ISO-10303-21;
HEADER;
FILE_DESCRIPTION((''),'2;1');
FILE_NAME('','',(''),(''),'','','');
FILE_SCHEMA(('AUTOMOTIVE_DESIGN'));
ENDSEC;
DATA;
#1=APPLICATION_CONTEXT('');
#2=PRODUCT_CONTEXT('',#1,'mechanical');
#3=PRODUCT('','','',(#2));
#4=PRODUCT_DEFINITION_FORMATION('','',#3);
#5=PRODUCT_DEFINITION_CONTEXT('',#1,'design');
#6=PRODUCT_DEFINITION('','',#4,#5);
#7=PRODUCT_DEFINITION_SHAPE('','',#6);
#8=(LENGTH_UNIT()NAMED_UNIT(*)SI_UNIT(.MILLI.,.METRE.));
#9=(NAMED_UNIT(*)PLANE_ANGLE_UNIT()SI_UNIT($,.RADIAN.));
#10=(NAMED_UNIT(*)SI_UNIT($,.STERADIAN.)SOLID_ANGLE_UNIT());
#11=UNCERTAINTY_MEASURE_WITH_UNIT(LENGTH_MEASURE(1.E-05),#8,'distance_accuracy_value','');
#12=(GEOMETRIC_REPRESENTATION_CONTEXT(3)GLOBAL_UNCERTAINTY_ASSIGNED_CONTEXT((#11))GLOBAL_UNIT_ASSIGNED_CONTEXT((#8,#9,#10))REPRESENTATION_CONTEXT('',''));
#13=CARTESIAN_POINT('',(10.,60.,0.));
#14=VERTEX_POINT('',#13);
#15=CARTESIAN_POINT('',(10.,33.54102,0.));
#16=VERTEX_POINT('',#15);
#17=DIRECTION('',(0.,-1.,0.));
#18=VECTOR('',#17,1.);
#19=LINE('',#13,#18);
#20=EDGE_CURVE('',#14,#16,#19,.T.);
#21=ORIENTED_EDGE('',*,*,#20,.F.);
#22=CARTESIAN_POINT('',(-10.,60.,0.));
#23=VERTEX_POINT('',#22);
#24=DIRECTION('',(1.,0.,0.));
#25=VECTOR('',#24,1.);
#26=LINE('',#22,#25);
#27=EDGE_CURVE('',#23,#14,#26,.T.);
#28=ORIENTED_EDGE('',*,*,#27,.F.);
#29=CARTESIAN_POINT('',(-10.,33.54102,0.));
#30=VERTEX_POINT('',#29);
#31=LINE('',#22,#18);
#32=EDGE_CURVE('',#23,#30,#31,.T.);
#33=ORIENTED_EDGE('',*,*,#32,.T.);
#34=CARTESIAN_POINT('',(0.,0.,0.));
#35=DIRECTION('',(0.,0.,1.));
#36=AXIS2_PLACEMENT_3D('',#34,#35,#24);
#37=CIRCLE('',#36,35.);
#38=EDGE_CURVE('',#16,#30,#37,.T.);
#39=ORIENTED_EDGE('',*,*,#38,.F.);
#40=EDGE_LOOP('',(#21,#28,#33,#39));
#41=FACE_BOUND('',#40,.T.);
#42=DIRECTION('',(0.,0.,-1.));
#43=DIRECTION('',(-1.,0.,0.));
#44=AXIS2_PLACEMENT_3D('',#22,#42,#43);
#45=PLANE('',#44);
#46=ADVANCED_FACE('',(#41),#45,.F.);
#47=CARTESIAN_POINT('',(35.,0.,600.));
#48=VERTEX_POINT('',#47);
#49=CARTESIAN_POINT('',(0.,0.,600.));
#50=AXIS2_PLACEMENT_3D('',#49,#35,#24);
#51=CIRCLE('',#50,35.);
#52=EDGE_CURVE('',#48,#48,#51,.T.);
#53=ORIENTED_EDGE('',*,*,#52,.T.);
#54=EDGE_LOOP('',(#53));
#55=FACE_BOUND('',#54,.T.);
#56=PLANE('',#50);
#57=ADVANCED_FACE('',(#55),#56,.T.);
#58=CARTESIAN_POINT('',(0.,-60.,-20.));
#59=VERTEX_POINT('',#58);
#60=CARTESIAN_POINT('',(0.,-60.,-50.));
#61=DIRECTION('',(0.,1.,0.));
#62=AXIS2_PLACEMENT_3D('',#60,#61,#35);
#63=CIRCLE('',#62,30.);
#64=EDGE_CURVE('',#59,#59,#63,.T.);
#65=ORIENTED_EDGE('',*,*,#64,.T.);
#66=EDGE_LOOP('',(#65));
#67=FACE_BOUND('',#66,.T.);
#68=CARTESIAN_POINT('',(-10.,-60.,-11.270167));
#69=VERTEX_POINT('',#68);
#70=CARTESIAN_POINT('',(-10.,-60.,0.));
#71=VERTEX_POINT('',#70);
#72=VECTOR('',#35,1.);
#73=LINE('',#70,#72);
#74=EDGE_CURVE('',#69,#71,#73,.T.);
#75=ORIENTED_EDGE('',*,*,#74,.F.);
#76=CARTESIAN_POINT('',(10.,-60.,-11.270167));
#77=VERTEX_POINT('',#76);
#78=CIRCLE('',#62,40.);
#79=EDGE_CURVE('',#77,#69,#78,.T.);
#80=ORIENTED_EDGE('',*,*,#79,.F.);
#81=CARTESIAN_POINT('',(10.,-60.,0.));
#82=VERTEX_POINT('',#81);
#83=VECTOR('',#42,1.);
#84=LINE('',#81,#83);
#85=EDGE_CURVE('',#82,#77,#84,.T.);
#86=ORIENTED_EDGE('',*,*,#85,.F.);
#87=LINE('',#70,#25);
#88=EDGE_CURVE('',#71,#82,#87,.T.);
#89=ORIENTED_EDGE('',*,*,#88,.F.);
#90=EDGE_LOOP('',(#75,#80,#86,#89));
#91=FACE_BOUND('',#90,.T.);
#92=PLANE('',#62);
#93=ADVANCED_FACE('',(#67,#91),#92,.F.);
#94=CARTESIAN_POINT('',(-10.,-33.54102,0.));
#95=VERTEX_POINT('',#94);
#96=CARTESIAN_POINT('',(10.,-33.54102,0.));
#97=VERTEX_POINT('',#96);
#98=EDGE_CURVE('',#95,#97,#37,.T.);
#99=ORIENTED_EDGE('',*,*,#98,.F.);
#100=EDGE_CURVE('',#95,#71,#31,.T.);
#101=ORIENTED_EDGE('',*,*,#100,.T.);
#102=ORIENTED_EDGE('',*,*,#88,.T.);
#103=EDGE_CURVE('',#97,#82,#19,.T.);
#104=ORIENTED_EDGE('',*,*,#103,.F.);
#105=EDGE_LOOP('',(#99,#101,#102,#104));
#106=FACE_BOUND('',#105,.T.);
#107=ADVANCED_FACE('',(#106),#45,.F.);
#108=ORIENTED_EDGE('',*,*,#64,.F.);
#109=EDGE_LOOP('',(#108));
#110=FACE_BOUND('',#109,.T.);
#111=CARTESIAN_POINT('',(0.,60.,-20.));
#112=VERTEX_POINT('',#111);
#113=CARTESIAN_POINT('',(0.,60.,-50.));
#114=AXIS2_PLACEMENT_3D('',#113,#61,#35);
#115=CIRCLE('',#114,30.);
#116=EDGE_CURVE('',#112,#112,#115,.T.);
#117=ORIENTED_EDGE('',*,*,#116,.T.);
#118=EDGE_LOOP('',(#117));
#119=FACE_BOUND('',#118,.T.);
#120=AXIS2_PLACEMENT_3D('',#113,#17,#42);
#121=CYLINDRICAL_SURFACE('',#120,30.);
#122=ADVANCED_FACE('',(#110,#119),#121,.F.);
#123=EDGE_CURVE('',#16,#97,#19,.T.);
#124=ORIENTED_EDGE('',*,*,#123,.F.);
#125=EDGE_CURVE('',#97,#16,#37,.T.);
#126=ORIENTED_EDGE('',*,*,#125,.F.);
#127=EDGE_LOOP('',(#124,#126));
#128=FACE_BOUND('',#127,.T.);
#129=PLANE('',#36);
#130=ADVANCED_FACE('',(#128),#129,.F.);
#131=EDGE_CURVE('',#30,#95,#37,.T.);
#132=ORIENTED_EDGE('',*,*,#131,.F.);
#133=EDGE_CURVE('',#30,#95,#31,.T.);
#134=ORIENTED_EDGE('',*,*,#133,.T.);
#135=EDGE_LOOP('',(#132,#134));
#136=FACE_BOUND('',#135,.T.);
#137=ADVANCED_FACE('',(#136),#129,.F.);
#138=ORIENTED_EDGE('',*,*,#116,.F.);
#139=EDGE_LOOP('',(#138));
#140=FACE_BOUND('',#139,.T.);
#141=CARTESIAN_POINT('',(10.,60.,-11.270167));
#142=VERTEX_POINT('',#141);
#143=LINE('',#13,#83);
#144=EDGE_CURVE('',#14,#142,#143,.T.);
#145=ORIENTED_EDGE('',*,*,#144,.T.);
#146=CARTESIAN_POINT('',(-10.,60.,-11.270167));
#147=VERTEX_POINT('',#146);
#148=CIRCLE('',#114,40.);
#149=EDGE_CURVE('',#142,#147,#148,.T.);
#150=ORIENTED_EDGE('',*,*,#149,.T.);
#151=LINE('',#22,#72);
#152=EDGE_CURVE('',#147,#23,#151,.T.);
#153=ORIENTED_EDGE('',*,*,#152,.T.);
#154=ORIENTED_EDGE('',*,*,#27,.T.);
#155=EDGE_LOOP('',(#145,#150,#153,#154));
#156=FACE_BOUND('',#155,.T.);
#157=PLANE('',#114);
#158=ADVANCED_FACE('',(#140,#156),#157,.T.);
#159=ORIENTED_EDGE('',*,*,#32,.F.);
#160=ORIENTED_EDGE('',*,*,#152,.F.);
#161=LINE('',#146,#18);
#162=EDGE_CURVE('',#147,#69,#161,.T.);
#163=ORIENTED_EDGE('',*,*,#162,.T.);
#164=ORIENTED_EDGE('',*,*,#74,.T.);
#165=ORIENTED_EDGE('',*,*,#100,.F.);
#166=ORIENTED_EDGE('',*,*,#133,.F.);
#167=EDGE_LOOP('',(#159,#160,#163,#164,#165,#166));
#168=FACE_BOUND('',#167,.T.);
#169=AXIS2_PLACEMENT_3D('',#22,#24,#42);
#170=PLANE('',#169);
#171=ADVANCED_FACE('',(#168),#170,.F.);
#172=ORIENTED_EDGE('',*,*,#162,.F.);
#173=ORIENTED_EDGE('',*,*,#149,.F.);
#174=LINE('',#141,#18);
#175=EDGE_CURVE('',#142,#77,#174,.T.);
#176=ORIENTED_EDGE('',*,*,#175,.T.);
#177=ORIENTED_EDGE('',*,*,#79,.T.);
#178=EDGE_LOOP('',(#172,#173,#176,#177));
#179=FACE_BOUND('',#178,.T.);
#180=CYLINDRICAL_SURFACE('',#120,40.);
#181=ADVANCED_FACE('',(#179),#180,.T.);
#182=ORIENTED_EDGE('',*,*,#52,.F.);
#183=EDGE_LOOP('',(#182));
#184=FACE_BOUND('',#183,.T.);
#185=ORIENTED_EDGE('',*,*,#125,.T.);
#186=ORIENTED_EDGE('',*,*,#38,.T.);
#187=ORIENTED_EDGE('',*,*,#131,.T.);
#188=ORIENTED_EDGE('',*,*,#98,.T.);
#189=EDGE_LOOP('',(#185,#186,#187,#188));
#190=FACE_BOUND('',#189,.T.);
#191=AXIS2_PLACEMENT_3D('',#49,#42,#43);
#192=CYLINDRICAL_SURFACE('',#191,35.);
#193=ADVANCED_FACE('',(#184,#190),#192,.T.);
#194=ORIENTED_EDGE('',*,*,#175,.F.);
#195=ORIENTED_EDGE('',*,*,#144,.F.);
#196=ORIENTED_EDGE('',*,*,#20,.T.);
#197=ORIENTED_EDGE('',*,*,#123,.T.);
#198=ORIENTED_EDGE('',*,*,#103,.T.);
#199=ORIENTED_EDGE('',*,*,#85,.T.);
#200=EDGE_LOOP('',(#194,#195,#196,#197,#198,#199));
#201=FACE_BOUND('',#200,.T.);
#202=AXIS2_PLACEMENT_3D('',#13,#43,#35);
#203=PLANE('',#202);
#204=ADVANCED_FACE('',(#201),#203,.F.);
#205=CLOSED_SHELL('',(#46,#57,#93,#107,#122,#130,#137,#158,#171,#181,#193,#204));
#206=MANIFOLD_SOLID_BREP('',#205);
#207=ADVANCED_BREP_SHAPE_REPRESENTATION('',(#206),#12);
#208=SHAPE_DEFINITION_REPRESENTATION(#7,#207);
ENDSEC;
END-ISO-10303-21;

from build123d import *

# Parameters (mm, degrees)
IZIM1_R                     = 35
Y_KSEKLIK_EKSTR_ZYON1_DEPTH = 600
IZIM2_R                     = 30
Y_KSEKLIK_EKSTR_ZYON2_DEPTH = 60


with BuildPart() as part:
    # Çizim1 → Yükseklik-Ekstrüzyon1 (new body)
    with BuildSketch(Plane.XY):
        Circle(IZIM1_R)
    extrude(amount=Y_KSEKLIK_EKSTR_ZYON1_DEPTH)

    # Çizim2 → Yükseklik-Ekstrüzyon2 (add, symmetric)
    with BuildSketch(Plane(origin=(0, 0, 0), x_dir=(1, 0, 0), z_dir=(0, 1, 0))):
        with BuildLine():
            Line((10, 0), (10, 11.270166538))
            ThreePointArc((10, 11.270166538), (0, 90), (-10, 11.270166538))
            Line((-10, 11.270166538), (-10, 0))
            Line((-10, 0), (10, 0))
        make_face()
        with Locations(Location((0, 50, 0), (0, 0, 270))):
            Circle(IZIM2_R, mode=Mode.SUBTRACT)
    extrude(amount=Y_KSEKLIK_EKSTR_ZYON2_DEPTH, both=True)


solid = part.part
